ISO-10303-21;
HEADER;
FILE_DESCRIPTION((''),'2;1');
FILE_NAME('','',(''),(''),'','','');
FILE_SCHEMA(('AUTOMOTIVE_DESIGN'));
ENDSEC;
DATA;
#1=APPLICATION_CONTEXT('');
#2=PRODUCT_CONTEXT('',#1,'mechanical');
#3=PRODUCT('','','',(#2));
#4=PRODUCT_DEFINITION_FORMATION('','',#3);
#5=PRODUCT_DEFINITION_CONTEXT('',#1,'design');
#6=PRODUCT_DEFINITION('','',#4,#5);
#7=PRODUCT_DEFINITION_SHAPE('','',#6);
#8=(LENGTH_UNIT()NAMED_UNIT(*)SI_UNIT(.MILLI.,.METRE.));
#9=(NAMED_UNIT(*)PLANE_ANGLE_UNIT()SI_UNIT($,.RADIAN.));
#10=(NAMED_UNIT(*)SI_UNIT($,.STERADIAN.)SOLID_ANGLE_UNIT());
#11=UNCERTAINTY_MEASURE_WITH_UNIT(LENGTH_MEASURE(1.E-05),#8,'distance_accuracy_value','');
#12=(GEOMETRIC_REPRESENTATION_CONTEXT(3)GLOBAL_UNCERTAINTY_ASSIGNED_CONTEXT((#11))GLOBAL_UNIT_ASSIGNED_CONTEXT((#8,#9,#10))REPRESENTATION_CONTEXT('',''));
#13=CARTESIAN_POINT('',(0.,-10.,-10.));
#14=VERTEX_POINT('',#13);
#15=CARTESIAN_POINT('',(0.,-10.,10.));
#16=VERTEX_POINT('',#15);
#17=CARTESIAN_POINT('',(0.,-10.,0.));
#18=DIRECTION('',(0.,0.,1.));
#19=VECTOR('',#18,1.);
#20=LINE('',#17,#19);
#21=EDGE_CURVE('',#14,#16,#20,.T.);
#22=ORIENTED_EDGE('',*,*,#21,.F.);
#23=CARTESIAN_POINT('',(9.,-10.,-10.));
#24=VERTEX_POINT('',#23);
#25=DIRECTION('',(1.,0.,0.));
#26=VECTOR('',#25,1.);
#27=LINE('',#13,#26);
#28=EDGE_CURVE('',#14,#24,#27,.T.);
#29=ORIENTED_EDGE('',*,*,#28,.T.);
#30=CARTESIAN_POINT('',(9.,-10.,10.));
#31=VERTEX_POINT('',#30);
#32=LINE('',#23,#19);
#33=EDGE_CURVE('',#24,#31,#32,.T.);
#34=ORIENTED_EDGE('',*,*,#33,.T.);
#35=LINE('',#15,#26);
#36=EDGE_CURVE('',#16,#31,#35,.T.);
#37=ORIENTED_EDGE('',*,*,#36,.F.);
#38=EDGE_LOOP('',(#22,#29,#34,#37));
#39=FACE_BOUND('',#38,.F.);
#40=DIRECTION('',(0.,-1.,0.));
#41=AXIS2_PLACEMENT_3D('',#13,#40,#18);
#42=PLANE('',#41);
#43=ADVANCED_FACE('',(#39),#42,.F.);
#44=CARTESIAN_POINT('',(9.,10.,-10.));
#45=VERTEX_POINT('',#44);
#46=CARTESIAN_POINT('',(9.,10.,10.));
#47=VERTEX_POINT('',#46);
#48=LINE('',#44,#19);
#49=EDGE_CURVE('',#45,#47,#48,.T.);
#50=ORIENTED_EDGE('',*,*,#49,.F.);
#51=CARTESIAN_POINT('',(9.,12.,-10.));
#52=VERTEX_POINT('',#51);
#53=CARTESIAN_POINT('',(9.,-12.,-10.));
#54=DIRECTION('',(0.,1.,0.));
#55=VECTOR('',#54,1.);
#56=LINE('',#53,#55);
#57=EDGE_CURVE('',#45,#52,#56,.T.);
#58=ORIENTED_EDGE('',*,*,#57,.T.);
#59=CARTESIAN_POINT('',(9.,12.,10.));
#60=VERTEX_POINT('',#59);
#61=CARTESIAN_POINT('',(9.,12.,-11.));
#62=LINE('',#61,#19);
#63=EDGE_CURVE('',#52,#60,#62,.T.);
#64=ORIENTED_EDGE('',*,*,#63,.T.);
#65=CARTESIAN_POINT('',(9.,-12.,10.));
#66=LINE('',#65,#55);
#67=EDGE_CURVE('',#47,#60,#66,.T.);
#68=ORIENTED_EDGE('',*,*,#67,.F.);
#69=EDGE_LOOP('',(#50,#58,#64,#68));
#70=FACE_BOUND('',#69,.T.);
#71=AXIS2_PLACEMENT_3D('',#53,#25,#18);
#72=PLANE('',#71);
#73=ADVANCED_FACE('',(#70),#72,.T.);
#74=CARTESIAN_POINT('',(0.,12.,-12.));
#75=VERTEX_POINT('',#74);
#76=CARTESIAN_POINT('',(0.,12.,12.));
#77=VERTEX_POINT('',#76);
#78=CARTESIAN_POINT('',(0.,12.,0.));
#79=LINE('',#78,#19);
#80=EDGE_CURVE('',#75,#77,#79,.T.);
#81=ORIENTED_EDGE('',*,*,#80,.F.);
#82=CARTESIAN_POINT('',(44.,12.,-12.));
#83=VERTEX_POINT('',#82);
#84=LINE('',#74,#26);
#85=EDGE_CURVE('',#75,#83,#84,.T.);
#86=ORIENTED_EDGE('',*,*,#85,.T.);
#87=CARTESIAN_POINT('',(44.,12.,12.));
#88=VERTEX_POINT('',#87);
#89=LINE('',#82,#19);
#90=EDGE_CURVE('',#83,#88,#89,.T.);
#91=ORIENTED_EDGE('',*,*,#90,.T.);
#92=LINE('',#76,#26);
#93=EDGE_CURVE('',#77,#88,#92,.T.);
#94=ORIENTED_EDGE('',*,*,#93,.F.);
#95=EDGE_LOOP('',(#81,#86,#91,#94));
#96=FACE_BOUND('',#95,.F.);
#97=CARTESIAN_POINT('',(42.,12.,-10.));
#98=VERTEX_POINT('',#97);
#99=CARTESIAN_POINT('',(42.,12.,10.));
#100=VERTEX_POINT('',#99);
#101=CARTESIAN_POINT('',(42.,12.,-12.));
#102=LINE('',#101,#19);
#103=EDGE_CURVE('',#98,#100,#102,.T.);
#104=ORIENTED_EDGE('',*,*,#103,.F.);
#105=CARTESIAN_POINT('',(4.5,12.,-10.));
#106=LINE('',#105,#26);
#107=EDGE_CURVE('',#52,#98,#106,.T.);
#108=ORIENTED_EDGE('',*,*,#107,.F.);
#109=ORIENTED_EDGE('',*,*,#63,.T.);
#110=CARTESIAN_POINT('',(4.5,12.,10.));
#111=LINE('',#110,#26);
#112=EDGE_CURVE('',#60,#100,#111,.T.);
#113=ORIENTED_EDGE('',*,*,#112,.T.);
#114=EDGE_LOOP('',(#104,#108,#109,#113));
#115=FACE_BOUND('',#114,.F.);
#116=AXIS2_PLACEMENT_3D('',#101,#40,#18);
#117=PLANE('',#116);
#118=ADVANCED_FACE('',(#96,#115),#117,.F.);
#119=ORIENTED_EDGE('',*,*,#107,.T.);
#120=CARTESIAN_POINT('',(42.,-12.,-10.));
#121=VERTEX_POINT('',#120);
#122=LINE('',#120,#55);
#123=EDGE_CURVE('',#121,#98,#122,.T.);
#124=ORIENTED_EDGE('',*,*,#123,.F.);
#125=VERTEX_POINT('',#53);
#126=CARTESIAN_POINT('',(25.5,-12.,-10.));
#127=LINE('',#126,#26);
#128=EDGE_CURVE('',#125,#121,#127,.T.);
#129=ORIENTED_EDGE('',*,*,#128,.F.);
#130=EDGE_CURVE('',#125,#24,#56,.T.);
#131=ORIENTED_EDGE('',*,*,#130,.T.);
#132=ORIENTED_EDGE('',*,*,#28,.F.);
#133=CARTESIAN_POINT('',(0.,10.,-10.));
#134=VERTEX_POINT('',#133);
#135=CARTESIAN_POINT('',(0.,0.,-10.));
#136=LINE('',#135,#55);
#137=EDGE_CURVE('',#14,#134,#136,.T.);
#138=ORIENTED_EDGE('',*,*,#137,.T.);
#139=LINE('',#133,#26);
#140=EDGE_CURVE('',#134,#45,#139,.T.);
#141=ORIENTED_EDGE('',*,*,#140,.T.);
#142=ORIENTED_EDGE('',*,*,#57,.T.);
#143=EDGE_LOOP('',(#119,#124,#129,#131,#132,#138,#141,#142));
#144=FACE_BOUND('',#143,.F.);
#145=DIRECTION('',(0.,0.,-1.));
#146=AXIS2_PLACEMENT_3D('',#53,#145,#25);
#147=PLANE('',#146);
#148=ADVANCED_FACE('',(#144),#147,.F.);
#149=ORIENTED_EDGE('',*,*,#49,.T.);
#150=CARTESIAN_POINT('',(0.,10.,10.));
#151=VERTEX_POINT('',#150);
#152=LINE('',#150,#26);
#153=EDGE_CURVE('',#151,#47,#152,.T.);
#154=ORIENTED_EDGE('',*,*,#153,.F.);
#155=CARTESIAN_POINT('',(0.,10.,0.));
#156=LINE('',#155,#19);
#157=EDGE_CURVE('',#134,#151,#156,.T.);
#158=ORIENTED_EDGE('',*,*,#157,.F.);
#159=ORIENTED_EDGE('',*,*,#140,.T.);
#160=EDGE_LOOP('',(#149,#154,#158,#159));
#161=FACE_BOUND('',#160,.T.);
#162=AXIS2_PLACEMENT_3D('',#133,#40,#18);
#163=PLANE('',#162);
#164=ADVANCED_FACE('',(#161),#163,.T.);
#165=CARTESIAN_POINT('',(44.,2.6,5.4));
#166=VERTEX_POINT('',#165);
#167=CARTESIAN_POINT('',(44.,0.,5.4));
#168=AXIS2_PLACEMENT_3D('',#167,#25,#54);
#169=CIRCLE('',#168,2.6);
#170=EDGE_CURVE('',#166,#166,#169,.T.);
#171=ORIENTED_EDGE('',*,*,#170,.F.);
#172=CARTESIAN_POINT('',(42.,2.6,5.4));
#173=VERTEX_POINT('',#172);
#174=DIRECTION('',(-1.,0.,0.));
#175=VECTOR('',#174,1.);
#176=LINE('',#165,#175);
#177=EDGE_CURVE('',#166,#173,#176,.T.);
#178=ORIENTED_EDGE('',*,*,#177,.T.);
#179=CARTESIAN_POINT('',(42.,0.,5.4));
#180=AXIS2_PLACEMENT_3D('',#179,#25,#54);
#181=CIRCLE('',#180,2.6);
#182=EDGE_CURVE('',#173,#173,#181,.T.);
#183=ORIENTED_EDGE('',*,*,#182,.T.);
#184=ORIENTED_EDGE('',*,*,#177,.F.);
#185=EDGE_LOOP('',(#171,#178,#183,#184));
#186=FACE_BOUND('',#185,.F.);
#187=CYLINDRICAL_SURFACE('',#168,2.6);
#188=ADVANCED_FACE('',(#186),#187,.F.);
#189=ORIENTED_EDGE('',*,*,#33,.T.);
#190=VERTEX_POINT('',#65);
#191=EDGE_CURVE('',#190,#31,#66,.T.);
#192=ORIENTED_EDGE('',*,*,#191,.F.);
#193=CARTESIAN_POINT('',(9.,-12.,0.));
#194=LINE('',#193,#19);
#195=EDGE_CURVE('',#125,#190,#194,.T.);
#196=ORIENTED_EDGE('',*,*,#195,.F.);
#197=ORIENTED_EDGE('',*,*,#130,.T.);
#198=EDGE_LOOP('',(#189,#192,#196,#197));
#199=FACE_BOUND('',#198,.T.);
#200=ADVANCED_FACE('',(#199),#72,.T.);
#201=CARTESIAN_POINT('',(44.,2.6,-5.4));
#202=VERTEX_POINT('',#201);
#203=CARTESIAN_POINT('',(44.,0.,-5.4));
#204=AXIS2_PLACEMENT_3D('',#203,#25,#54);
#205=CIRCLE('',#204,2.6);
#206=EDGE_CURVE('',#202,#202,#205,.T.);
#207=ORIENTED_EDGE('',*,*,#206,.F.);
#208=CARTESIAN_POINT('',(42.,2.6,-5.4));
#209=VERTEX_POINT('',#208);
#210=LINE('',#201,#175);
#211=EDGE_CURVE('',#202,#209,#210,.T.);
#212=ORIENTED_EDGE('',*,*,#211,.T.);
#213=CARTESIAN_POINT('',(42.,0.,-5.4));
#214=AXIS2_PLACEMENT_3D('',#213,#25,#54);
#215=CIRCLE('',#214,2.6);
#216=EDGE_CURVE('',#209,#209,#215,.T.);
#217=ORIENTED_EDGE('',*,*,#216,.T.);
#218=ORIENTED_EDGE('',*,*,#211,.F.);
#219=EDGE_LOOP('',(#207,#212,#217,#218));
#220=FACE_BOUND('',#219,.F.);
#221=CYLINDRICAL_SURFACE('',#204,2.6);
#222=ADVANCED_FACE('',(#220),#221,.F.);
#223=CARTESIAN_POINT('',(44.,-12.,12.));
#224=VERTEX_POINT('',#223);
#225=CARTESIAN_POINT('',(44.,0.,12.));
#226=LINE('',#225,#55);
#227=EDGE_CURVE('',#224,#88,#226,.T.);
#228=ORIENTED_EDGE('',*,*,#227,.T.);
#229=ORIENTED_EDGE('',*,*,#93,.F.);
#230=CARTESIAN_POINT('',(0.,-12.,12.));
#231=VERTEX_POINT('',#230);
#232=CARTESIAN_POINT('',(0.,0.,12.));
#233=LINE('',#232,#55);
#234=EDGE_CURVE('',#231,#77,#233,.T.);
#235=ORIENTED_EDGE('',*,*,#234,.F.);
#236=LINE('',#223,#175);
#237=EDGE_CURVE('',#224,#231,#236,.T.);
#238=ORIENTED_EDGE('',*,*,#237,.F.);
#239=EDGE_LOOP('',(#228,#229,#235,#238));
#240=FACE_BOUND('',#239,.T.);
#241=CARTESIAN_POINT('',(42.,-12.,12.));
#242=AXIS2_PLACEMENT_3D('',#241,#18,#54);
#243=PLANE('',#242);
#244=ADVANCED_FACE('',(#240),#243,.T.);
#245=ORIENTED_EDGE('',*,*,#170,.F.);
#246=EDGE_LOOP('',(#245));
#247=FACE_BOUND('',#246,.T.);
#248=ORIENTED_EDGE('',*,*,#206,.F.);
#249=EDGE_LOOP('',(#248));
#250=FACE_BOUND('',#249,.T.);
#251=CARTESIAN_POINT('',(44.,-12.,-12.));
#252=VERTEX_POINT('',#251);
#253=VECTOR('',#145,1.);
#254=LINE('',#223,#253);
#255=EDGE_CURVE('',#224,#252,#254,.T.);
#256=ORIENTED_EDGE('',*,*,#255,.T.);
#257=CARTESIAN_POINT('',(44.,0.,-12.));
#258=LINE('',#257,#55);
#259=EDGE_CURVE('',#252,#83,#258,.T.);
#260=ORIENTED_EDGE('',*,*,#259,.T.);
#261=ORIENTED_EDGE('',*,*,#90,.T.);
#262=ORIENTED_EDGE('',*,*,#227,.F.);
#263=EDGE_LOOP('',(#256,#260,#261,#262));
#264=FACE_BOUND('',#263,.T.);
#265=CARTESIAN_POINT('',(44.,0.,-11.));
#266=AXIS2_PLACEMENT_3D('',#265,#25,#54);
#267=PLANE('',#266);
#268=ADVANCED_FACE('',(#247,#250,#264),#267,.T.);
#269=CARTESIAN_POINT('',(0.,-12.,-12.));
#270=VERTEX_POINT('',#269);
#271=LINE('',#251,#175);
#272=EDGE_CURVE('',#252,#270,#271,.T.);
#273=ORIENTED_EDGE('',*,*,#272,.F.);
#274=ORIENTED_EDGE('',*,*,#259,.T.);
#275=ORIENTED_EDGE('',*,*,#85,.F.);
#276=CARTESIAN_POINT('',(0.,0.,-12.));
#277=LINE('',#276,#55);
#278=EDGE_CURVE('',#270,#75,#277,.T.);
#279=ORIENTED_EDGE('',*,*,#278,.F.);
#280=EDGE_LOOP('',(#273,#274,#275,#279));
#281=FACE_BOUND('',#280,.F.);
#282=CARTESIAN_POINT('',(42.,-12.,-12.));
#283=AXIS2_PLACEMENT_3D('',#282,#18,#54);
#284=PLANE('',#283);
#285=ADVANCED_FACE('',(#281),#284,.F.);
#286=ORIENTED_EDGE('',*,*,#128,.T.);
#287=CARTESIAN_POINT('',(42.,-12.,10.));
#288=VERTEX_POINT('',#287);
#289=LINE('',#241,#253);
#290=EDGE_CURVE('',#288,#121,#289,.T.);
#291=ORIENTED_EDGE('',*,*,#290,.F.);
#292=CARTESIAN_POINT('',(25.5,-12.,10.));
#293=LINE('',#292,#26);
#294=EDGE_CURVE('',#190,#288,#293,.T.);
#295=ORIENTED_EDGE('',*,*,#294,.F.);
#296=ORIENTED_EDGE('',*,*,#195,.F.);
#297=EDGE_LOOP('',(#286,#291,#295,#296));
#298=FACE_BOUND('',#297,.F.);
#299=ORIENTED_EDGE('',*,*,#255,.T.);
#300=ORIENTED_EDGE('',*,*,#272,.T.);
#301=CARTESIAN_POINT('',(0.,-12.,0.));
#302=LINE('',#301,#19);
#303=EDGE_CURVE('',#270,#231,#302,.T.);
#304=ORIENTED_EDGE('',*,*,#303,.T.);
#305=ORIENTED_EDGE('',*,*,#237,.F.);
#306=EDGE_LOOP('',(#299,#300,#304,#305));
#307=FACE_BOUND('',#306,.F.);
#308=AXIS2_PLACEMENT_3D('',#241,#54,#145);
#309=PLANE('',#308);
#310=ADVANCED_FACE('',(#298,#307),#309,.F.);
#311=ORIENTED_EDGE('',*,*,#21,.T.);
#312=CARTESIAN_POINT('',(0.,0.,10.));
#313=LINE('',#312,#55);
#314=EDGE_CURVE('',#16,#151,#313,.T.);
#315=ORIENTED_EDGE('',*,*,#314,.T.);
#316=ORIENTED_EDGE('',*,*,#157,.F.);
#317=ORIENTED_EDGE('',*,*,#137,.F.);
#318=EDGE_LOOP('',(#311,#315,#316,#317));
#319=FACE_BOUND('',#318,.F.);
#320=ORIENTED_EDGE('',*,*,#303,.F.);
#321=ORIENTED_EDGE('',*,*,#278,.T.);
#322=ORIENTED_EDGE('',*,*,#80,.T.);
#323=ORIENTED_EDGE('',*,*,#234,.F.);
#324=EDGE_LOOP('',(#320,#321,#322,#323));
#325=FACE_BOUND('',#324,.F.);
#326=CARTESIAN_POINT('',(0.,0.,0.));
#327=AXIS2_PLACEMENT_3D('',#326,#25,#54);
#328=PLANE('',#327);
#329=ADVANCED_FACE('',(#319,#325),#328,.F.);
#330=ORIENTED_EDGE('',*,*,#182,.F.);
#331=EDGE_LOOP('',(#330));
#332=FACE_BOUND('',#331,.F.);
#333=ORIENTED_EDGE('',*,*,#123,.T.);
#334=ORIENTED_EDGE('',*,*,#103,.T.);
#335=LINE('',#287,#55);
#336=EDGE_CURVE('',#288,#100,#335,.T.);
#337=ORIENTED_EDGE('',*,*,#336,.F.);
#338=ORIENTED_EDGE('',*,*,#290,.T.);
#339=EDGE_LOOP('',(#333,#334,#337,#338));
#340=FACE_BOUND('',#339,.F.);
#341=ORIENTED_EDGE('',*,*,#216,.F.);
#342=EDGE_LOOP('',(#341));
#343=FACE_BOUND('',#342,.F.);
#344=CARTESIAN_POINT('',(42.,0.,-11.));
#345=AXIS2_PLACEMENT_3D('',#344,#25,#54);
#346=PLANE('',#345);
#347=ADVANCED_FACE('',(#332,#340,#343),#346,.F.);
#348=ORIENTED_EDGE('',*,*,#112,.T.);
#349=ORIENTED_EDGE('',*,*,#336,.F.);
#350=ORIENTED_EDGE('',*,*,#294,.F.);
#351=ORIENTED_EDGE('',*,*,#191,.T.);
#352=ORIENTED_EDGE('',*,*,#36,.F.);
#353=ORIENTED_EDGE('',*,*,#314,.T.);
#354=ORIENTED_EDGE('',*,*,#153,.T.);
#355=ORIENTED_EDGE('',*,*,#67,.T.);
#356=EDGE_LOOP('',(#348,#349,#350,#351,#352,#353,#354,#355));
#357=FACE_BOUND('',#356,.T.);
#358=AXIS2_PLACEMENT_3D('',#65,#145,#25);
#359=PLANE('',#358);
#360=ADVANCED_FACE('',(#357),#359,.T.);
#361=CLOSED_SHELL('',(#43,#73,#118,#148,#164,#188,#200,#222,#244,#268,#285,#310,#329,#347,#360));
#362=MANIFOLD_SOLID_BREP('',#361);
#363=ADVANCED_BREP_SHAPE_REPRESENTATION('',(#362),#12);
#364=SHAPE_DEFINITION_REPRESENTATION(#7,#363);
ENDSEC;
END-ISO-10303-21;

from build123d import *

# Parameters (mm, degrees)
F0_W     = 24
F0_H     = 24
F0_W_2   = 20
F0_H_2   = 20
F1_DEPTH = 42
F2_W     = 33
F2_H     = 20
F3_DEPTH = 31.3
F4_W     = 24
F4_H     = 2
F4_H_2   = 22
F5_DEPTH = 2
F6_R     = 2.6
F7_DEPTH = 25


with BuildPart() as f1:
    # F0 (on Right) → F1 (new body)
    with BuildSketch(Plane.YZ):
        Rectangle(F0_W, F0_H)
        Rectangle(F0_W_2, F0_H_2, mode=Mode.SUBTRACT)
    extrude(amount=F1_DEPTH)

    # F2 (on face) → F3 (cut)
    with BuildSketch(Plane.XZ.offset(12)):
        with Locations((25.5, 0)):
            Rectangle(F2_W, F2_H)
    extrude(amount=-F3_DEPTH, mode=Mode.SUBTRACT)

    # F4 (on face) → F5 (join)
    with BuildSketch(Plane.YZ.offset(42)):
        with Locations((0, -11)):
            Rectangle(F4_W, F4_H)
        with Locations((0, 1)):
            Rectangle(F4_W, F4_H_2)
    extrude(amount=F5_DEPTH)

    # F6 (on face) → F7 (cut)
    with BuildSketch(Plane.YZ.offset(44)):
        with Locations((0, 5.4)):
            Circle(F6_R)
        with Locations((0, -5.4)):
            Circle(F6_R)
    extrude(amount=-F7_DEPTH, mode=Mode.SUBTRACT)


solid = f1.part
